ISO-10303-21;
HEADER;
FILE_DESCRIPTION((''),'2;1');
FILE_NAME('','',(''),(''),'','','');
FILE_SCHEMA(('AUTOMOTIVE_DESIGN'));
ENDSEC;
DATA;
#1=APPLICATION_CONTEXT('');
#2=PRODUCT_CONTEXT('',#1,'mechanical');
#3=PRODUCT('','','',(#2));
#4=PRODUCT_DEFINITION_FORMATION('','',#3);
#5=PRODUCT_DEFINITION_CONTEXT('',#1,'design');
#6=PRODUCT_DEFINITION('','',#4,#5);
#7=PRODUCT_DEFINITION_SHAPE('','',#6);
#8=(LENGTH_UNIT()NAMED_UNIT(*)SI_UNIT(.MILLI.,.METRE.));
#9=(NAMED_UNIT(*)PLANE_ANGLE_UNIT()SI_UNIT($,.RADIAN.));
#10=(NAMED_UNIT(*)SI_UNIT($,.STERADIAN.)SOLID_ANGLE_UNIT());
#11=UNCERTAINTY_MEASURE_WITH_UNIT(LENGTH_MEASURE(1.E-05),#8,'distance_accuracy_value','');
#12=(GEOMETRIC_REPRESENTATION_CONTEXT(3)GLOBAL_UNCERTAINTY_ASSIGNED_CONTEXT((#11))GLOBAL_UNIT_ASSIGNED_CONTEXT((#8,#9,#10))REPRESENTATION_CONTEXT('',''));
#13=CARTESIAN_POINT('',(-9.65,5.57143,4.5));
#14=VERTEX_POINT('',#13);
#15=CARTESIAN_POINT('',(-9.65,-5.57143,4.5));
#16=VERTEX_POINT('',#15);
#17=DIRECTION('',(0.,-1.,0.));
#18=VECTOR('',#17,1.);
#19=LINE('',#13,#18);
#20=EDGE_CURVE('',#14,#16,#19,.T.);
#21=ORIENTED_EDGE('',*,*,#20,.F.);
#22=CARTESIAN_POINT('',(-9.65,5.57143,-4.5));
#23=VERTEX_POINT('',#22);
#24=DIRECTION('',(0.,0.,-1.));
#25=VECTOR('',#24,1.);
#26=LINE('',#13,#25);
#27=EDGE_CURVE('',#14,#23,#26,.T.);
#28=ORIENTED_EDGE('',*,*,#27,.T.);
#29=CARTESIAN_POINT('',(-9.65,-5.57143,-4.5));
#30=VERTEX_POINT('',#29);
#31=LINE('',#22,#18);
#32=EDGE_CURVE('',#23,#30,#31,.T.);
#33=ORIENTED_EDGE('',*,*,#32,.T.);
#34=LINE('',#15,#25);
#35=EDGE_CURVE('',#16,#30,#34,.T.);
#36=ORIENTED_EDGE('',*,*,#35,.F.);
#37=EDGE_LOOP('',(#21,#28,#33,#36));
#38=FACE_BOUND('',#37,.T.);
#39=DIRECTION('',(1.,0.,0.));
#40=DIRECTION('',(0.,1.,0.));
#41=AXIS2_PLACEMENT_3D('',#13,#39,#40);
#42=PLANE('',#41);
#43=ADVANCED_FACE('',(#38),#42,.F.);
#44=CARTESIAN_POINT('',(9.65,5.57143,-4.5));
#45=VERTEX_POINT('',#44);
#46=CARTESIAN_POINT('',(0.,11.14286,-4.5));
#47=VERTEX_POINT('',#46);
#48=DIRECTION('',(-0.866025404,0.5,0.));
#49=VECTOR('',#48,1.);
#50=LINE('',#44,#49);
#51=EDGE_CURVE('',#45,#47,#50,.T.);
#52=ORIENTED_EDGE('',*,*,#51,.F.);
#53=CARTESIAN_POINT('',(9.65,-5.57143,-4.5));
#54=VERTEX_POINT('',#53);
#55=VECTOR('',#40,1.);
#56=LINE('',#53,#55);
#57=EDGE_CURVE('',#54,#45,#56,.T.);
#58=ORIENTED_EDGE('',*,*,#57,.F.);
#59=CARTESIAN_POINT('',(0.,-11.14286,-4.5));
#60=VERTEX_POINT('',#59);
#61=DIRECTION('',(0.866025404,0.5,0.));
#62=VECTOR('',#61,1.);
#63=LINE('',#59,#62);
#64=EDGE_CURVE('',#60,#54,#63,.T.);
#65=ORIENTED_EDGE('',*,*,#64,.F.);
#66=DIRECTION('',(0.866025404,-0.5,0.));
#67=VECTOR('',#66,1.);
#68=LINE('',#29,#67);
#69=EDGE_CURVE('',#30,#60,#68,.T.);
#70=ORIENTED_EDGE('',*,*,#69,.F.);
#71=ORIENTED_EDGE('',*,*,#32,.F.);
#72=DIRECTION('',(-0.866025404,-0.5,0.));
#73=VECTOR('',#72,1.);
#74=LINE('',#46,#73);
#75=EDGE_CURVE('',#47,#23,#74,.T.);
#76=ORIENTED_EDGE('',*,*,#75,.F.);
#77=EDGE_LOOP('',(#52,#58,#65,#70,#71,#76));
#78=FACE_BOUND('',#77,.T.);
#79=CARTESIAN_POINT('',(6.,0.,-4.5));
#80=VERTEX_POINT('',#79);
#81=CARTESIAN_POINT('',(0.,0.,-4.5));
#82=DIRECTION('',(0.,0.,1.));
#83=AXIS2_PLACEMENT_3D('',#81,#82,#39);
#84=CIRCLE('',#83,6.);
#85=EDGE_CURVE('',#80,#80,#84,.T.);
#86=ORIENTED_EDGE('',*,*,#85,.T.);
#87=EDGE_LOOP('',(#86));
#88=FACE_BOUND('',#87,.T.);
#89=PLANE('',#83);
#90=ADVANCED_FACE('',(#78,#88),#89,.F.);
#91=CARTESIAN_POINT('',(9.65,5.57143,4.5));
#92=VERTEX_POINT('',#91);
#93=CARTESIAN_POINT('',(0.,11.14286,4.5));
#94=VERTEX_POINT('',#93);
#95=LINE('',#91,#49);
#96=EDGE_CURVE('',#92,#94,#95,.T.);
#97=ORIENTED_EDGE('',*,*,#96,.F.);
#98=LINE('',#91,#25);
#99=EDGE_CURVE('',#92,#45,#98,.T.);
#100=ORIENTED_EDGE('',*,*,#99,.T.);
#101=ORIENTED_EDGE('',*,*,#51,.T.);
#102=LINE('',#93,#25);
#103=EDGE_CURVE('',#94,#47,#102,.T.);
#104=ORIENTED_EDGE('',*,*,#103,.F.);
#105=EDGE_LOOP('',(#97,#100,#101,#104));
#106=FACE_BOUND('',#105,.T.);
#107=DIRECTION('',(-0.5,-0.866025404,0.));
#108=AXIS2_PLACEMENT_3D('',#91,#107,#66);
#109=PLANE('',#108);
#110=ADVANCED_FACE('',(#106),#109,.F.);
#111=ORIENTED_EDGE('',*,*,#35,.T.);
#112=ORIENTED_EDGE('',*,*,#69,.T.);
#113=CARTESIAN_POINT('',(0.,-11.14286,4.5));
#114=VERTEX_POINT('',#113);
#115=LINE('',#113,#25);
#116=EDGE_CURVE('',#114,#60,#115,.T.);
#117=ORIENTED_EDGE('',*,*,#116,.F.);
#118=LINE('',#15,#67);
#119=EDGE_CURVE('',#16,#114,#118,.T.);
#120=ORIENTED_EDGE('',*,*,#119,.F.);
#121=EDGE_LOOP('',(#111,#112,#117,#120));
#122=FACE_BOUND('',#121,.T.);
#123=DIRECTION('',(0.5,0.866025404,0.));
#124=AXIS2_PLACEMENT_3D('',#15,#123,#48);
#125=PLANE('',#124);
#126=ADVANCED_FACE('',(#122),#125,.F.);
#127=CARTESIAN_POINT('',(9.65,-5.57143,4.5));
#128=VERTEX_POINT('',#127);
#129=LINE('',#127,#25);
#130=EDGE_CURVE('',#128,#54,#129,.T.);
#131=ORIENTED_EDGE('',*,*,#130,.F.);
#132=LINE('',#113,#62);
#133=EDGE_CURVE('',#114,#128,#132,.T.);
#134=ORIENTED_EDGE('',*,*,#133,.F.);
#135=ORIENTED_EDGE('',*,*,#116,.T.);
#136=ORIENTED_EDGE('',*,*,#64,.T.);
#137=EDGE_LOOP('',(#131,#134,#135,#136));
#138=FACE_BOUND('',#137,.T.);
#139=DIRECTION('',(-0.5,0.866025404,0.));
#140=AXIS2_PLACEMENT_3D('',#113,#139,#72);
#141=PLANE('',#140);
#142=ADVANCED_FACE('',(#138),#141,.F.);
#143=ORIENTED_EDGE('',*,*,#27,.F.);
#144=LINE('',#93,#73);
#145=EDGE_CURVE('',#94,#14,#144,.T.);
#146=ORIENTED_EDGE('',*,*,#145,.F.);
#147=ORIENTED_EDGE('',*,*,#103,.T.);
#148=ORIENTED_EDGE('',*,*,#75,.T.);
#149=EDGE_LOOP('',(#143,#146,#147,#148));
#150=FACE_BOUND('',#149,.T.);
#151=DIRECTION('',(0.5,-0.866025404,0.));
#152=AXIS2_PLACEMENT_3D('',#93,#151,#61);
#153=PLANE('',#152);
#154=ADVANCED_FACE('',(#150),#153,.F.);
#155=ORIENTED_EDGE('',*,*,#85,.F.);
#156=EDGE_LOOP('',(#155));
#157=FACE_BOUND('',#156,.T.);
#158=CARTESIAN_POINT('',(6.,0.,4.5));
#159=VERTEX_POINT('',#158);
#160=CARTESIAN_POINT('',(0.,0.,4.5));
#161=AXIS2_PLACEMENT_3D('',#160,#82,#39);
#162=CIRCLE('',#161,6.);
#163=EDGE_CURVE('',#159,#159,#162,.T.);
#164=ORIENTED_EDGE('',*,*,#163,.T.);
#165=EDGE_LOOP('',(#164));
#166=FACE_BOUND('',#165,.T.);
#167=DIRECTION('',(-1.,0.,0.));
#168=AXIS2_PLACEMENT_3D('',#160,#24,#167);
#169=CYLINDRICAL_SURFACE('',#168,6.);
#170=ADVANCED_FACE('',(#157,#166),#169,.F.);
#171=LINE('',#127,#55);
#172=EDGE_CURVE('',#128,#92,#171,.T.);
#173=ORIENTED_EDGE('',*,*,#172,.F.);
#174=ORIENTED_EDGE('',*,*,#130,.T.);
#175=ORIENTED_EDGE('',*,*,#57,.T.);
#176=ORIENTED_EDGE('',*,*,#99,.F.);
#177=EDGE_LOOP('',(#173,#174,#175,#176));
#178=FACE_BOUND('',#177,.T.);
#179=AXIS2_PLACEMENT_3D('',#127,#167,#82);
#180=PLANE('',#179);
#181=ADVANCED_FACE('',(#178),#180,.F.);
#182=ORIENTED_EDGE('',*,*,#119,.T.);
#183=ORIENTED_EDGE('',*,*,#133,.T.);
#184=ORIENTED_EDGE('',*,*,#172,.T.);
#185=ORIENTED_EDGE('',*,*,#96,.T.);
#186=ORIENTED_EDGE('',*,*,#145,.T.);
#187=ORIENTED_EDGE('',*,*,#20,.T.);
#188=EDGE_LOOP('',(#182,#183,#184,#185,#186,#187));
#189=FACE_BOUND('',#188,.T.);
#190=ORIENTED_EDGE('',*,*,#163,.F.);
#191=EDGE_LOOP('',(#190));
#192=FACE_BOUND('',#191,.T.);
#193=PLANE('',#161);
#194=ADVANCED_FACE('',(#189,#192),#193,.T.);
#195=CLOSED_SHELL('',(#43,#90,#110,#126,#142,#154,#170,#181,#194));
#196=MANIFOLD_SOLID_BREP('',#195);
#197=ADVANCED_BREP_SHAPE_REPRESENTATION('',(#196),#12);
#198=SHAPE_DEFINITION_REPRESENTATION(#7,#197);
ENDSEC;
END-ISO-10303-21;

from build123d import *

# Parameters (mm, degrees)
SKETCH1_R           = 6
BOSS_EXTRUDE1_DEPTH = 4.5


with BuildPart() as part:
    # Sketch1 → Boss-Extrude1 (new body, symmetric)
    with BuildSketch(Plane.XY):
        Polygon((0, 11.142860195), (-9.65, 5.571430098), (-9.65, -5.571430098), (0, -11.142860195), (9.65, -5.571430098), (9.65, 5.571430098), align=None)
        Circle(SKETCH1_R, mode=Mode.SUBTRACT)
    extrude(amount=BOSS_EXTRUDE1_DEPTH, both=True)


solid = part.part
